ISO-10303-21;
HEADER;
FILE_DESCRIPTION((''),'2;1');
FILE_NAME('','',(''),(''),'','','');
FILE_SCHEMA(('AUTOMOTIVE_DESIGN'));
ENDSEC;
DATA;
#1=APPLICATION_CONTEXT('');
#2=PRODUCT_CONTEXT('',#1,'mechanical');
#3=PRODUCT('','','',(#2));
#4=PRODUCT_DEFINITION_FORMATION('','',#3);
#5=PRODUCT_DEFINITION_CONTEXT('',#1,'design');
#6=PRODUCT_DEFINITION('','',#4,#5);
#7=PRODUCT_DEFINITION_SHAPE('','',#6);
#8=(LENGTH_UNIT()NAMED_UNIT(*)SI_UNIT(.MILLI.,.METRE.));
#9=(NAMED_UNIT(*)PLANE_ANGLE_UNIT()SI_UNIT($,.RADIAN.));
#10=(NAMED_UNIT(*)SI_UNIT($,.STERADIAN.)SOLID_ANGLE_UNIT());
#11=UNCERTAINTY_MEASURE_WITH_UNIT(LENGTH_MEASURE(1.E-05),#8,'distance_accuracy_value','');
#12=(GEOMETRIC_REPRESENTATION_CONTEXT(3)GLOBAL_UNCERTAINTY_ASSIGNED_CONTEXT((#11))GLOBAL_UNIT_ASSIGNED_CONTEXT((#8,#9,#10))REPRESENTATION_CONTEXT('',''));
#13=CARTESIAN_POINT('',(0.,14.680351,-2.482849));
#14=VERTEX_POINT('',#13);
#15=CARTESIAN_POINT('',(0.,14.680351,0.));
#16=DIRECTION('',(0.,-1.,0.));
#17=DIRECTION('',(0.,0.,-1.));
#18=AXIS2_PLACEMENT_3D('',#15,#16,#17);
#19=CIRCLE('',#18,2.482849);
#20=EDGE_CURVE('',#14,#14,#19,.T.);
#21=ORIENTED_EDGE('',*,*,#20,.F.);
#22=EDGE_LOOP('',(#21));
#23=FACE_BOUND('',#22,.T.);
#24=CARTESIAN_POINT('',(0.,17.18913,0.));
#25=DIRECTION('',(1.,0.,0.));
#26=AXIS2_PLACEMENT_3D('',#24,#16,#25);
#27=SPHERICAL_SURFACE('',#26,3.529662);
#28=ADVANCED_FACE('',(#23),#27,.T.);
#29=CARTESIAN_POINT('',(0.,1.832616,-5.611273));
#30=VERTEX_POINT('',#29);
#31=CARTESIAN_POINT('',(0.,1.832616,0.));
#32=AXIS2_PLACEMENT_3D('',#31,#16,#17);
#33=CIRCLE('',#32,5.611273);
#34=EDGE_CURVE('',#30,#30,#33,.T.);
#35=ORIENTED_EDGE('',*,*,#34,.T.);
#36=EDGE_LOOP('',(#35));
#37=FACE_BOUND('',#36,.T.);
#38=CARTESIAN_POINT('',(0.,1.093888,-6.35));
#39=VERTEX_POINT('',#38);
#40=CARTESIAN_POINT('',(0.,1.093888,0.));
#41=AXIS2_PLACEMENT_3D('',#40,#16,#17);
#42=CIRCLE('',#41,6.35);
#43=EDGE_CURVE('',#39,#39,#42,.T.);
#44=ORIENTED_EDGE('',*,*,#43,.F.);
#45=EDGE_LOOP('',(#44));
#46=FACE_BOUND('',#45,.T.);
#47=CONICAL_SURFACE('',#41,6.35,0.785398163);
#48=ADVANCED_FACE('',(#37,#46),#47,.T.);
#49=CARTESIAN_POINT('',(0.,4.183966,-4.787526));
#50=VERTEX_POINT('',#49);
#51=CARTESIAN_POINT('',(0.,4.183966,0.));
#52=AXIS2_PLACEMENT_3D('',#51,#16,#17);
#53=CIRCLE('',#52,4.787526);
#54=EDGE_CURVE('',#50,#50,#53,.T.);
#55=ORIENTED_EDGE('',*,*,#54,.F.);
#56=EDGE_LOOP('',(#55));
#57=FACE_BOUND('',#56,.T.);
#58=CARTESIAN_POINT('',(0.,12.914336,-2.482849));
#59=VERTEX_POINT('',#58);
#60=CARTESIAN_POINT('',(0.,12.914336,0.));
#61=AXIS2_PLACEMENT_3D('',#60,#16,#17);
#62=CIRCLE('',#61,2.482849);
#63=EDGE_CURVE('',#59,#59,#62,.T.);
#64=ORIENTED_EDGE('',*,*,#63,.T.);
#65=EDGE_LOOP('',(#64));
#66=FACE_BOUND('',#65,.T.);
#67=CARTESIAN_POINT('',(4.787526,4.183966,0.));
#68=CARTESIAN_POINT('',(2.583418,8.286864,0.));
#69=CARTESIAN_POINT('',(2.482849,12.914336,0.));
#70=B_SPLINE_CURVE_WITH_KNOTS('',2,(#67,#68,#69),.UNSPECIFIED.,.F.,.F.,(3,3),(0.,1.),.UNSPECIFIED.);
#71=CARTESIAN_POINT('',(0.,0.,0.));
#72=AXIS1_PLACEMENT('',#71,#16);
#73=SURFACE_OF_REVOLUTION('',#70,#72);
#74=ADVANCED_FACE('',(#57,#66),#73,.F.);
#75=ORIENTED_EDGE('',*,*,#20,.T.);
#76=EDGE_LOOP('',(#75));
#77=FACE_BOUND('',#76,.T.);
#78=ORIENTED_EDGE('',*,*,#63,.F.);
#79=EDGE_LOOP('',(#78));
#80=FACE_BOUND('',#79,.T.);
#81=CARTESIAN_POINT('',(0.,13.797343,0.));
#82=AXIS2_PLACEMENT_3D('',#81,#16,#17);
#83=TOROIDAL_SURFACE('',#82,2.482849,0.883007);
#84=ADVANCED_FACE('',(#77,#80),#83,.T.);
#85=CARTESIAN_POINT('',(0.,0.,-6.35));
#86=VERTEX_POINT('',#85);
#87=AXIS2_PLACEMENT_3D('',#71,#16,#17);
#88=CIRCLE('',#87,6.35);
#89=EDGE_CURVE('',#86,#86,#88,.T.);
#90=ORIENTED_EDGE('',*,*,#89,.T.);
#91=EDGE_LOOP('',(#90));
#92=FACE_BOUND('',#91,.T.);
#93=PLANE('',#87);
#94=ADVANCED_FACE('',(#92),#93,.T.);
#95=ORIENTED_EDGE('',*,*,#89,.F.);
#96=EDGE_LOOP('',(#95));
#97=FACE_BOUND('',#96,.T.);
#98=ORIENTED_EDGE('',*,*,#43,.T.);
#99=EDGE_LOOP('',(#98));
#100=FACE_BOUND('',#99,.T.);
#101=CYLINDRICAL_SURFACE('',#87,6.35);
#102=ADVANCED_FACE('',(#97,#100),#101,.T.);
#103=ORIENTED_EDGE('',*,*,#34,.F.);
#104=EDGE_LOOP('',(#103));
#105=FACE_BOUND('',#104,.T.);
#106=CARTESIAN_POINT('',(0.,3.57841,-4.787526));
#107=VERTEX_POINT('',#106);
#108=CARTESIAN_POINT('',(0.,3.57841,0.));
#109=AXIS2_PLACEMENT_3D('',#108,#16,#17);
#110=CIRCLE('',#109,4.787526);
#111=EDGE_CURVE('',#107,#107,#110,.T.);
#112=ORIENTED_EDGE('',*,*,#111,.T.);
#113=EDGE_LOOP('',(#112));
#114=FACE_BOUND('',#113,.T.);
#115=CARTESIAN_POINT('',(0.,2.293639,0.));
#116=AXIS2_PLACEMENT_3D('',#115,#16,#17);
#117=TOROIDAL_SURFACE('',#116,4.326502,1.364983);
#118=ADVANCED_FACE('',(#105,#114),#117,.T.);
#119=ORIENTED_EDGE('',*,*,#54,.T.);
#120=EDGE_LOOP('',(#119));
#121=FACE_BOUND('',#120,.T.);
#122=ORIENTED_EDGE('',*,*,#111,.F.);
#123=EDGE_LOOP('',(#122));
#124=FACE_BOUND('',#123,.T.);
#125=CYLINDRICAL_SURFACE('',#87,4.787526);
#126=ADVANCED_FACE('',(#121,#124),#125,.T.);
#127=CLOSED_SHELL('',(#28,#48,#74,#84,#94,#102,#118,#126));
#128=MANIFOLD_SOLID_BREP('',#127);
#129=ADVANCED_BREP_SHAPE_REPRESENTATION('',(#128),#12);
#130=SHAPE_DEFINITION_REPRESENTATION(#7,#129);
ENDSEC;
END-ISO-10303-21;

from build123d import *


with BuildPart() as part:
    # Sketch1 → Revolve4 (revolve)
    with BuildSketch(Plane.XY):
        with BuildLine():
            Line((0, 0), (0, 20.718792279))
            ThreePointArc((0, 20.718792279), (3.264480019, 18.531398873), (2.482849316, 14.680350555))
            ThreePointArc((2.482849316, 14.680350555), (3.365856417, 13.797343455), (2.482849316, 12.914336354))
            add(Edge.make_bspline(
                [(2.482849316, 12.914336354), (2.583418025, 8.286863587), (4.787525553, 4.183965741)],
                knots=[0, 0, 0, 1, 1, 1], degree=2))
            Line((4.787525553, 4.183965741), (4.787525553, 3.578409965))
            ThreePointArc((4.787525553, 3.578409965), (5.560964983, 2.876116424), (5.611272713, 1.832615632))
            Line((5.611272713, 1.832615632), (6.35, 1.093888345))
            Line((6.35, 1.093888345), (6.35, 0))
            Line((6.35, 0), (0, 0))
        make_face()
    revolve(axis=Axis((0, 0, 0), (0, 1, 0)))


solid = part.part
